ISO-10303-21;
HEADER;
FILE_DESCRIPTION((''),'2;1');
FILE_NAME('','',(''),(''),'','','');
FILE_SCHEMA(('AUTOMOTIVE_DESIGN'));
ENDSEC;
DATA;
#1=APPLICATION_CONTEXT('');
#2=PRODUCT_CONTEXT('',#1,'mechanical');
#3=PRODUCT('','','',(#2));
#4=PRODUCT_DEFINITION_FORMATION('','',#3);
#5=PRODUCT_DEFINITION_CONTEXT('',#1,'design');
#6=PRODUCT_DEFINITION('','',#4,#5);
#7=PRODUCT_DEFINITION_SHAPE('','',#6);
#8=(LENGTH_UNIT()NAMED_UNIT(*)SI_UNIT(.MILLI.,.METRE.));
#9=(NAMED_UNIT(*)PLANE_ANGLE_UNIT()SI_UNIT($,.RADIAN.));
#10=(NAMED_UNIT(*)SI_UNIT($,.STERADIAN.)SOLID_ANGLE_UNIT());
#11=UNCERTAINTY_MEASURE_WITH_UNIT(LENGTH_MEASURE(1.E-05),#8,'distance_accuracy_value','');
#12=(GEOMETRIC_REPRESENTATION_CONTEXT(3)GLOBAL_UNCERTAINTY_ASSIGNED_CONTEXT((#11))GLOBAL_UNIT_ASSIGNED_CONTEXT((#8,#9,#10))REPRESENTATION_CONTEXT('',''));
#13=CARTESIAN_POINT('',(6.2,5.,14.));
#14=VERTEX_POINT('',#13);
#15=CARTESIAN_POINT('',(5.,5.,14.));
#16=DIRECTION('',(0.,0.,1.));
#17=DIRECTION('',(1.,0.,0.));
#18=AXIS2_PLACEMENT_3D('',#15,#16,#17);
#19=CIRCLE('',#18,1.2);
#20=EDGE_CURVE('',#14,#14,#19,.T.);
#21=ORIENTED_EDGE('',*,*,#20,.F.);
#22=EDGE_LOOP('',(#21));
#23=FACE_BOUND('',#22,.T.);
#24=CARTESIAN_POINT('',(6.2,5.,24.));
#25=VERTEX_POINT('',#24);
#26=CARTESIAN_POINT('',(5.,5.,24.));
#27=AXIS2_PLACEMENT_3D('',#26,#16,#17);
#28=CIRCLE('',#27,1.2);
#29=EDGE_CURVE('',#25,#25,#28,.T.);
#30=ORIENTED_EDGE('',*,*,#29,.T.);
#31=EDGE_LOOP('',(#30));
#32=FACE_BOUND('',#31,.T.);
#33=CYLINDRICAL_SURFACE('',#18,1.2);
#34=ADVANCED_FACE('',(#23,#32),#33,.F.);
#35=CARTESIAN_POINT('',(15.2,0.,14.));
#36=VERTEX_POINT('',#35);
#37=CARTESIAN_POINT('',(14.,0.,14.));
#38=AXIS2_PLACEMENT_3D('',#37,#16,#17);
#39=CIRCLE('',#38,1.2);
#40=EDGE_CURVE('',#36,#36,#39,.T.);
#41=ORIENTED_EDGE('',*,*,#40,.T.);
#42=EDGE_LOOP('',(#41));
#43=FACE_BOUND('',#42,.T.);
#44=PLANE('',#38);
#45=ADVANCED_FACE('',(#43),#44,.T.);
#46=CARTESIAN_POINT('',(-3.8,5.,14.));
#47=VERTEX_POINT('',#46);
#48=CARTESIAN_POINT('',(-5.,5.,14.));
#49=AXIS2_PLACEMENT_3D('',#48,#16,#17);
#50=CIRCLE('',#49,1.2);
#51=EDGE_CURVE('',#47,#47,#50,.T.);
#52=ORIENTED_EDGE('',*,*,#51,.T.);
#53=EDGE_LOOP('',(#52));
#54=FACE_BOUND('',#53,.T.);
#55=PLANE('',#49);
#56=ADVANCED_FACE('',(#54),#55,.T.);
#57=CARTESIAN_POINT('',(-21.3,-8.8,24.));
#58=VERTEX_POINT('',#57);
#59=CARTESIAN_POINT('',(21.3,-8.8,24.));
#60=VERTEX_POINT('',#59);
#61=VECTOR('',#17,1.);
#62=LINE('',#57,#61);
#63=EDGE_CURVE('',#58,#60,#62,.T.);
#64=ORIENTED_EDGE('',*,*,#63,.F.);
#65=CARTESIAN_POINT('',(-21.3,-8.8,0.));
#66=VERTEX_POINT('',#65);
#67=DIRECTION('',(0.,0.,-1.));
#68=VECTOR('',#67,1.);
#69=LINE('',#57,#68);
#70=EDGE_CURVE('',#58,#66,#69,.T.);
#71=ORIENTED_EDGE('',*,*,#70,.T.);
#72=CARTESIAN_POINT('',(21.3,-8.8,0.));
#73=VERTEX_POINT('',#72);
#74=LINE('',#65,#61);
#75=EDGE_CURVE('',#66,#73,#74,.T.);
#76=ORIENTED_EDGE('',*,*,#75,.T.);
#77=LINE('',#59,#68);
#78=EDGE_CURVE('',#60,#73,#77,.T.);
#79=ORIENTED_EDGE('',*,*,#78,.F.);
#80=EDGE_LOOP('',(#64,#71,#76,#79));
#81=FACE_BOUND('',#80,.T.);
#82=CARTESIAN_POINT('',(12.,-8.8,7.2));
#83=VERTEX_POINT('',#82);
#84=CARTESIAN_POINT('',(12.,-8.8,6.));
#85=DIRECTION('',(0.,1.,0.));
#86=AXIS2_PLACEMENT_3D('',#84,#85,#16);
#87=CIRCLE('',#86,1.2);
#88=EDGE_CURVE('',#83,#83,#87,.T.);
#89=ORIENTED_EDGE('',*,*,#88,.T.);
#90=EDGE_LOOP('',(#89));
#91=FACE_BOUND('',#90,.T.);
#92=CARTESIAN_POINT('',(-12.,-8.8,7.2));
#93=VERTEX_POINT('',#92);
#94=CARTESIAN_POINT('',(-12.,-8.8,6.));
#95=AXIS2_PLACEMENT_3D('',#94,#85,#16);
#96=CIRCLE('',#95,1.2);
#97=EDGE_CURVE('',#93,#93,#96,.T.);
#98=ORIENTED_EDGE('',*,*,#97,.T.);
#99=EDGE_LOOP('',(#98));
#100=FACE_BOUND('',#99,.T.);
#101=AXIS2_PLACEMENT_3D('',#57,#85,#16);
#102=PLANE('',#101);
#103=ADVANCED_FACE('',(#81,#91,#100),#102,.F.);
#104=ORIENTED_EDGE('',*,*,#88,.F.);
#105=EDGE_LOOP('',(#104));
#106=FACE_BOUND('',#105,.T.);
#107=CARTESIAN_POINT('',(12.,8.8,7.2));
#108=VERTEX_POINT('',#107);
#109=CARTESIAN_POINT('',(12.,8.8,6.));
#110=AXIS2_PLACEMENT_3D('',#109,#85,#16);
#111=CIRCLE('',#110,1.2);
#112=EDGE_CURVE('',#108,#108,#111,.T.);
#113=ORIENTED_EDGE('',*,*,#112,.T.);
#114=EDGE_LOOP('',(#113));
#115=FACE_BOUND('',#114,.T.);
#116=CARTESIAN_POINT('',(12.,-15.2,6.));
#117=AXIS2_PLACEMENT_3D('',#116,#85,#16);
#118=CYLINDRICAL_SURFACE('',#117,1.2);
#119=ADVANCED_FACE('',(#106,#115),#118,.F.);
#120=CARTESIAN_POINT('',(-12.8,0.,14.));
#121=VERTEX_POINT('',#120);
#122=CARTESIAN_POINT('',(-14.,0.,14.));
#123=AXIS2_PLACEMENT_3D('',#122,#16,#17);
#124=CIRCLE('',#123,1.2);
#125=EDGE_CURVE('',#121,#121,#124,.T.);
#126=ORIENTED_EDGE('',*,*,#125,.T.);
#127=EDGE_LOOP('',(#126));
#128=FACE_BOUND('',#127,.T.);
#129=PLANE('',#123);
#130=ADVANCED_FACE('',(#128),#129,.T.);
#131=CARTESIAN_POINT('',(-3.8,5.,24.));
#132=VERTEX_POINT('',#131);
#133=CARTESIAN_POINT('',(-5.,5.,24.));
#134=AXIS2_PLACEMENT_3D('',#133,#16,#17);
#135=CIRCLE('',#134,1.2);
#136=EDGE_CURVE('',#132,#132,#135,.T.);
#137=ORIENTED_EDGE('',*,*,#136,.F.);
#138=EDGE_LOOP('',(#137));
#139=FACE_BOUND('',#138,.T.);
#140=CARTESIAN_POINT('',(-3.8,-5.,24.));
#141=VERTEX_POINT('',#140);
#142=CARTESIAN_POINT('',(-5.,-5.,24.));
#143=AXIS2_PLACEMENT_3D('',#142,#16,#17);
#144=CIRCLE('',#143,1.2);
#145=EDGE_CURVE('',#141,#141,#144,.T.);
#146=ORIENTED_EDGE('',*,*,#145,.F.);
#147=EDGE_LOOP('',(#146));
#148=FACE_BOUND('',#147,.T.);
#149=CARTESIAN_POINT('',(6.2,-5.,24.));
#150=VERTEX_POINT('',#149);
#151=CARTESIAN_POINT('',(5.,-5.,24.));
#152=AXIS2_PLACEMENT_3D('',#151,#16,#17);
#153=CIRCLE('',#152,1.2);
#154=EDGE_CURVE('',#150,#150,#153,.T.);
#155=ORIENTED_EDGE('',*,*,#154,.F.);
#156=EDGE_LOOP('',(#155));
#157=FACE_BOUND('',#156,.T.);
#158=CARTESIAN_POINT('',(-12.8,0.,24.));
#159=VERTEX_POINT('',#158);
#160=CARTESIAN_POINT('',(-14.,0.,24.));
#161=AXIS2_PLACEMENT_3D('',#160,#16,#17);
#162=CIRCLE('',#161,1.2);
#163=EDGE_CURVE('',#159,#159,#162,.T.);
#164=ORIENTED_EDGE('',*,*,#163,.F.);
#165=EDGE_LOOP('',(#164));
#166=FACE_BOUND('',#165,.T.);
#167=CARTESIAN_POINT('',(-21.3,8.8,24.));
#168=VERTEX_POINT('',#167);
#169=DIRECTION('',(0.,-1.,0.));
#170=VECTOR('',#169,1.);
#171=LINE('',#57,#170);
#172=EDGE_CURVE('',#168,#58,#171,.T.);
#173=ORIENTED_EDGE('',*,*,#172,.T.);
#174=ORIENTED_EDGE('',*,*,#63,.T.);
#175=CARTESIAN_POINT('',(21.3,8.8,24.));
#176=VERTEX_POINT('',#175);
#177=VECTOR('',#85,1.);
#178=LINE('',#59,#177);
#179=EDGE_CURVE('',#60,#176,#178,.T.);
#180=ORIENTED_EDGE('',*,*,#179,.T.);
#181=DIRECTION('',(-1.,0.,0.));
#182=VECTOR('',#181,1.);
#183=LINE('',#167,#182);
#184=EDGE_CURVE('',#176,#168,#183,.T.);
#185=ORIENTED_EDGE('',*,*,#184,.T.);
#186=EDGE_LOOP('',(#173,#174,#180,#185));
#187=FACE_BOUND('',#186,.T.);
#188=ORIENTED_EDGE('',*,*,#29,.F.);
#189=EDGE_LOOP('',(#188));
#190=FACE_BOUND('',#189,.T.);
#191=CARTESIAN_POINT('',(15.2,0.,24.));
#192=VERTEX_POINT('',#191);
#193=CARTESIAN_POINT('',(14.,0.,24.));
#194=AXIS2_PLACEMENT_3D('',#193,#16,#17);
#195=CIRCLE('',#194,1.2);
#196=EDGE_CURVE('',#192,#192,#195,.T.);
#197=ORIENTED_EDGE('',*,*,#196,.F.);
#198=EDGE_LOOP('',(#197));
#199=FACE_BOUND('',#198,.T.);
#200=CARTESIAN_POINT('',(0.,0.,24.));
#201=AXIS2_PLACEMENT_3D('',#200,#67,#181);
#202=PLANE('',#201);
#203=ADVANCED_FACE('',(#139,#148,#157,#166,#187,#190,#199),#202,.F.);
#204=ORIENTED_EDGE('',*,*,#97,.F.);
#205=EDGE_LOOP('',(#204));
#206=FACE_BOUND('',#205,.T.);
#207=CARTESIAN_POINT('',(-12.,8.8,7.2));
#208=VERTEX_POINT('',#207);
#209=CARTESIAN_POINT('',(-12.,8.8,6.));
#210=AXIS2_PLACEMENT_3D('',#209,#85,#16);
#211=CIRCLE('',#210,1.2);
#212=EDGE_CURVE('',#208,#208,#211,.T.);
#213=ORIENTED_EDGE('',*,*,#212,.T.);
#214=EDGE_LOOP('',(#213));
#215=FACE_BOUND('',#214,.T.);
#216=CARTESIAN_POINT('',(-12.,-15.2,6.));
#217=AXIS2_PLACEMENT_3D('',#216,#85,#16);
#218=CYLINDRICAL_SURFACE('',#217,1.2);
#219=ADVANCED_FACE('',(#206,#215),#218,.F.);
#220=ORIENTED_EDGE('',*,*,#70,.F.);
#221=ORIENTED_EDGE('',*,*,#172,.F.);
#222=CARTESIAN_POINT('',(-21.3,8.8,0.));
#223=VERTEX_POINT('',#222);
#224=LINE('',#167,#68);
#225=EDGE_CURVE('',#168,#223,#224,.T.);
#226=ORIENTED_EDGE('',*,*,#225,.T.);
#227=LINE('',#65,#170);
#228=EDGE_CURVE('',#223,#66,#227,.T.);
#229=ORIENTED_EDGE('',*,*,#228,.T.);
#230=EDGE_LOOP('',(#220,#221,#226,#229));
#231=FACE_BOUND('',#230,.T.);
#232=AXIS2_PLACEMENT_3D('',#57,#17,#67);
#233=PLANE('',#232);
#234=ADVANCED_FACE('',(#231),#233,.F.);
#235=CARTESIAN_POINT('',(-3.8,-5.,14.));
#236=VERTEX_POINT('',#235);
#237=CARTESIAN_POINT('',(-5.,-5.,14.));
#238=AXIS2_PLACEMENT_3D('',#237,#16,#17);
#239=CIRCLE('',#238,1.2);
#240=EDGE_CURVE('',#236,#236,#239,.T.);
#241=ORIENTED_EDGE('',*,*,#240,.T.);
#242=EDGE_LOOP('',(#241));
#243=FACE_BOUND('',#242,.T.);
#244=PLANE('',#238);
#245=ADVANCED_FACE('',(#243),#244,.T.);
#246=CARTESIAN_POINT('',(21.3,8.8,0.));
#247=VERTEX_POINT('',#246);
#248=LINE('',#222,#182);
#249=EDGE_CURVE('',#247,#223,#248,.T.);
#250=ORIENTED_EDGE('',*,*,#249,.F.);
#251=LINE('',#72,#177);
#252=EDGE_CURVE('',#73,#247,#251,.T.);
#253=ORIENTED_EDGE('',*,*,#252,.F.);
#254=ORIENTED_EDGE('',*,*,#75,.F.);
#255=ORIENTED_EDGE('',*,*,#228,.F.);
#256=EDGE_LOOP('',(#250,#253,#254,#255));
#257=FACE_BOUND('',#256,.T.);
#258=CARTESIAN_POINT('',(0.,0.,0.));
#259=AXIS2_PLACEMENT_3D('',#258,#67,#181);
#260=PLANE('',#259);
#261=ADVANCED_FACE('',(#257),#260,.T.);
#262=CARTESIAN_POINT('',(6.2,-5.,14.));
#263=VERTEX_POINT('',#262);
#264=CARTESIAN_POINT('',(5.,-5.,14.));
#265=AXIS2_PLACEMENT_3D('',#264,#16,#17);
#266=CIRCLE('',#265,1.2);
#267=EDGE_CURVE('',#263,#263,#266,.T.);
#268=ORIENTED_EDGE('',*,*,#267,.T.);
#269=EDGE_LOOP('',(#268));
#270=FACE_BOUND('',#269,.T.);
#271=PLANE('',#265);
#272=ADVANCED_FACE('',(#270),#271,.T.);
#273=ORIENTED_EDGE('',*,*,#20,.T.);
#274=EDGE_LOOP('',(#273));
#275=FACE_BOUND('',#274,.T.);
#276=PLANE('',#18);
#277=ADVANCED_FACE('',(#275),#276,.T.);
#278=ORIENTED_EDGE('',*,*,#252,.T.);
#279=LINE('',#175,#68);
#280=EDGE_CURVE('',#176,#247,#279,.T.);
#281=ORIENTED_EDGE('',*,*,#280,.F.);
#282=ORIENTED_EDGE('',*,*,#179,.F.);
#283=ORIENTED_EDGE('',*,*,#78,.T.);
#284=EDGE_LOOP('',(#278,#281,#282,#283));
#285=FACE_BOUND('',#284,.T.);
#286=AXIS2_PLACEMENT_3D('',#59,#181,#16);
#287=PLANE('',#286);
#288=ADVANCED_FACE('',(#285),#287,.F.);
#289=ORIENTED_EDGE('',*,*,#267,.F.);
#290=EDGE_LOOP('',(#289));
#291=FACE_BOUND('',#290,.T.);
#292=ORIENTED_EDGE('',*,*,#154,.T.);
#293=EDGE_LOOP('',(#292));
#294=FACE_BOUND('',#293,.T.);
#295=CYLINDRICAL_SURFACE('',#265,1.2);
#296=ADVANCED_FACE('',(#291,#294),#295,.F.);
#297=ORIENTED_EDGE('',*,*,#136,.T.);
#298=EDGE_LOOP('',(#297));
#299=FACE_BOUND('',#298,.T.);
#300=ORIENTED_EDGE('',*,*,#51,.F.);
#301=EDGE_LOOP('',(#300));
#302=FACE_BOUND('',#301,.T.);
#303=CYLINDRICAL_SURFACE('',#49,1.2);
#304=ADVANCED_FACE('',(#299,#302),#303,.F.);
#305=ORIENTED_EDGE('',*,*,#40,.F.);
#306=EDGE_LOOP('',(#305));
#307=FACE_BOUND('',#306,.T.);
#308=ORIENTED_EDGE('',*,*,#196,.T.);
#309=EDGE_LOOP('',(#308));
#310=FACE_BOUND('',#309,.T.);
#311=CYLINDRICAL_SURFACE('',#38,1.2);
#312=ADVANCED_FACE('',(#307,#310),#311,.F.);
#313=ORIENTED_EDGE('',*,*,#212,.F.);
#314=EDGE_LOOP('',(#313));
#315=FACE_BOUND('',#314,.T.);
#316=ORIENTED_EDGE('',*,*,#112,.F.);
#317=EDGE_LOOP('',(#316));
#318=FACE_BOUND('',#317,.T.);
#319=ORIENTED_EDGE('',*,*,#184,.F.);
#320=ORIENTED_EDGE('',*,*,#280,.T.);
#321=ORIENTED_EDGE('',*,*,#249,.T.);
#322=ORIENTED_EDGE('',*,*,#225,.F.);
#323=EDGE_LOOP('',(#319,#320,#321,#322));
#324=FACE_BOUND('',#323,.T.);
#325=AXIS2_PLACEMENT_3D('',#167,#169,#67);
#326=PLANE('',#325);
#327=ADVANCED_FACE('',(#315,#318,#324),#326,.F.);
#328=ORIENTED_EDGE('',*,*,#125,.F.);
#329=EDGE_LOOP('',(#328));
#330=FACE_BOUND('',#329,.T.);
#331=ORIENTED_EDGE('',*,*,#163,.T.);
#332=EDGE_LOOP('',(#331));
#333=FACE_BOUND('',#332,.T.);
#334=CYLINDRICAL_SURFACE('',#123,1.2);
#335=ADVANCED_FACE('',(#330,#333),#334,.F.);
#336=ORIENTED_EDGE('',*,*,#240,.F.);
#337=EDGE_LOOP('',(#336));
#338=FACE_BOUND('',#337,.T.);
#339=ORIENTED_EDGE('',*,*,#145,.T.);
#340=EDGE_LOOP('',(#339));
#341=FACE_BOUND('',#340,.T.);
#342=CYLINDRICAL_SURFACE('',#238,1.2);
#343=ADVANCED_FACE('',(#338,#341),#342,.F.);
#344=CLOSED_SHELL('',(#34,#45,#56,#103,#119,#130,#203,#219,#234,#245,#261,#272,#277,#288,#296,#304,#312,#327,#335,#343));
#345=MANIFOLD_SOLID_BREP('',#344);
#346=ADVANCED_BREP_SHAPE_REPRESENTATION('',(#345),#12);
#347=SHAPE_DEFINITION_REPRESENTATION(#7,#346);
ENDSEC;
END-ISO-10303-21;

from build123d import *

# Parameters (mm, degrees)
CROQUIS1_W              = 42.6
CROQUIS1_H              = 17.6
SALIENTE_EXTRUIR1_DEPTH = 24
CROQUIS2_R              = 1.2
CORTAR_EXTRUIR1_DEPTH   = 24
CROQUIS4_R              = 1.2
CORTAR_EXTRUIR2_DEPTH   = 10


with BuildPart() as part:
    # Croquis1 → Saliente-Extruir1 (new body)
    with BuildSketch(Plane.XY):
        Rectangle(CROQUIS1_W, CROQUIS1_H)
    extrude(amount=SALIENTE_EXTRUIR1_DEPTH)

    # Croquis2 → Cortar-Extruir1 (cut)
    with BuildSketch(Plane(origin=(0, 8.8, 0), x_dir=(1, 0, 0), z_dir=(0, 1, 0))):
        with Locations((-12, -6)):
            Circle(CROQUIS2_R)
        with Locations((12, -6)):
            Circle(CROQUIS2_R)
    extrude(amount=-CORTAR_EXTRUIR1_DEPTH, mode=Mode.SUBTRACT)

    # Croquis4 → Cortar-Extruir2 (cut)
    with BuildSketch(Plane.XY.offset(24)):
        with Locations((-14, 0)):
            Circle(CROQUIS4_R)
        with Locations((-5, 5)):
            Circle(CROQUIS4_R)
        with Locations((5, 5)):
            Circle(CROQUIS4_R)
        with Locations((14, 0)):
            Circle(CROQUIS4_R)
        with Locations((5, -5)):
            Circle(CROQUIS4_R)
        with Locations((-5, -5)):
            Circle(CROQUIS4_R)
    extrude(amount=-CORTAR_EXTRUIR2_DEPTH, mode=Mode.SUBTRACT)


solid = part.part
